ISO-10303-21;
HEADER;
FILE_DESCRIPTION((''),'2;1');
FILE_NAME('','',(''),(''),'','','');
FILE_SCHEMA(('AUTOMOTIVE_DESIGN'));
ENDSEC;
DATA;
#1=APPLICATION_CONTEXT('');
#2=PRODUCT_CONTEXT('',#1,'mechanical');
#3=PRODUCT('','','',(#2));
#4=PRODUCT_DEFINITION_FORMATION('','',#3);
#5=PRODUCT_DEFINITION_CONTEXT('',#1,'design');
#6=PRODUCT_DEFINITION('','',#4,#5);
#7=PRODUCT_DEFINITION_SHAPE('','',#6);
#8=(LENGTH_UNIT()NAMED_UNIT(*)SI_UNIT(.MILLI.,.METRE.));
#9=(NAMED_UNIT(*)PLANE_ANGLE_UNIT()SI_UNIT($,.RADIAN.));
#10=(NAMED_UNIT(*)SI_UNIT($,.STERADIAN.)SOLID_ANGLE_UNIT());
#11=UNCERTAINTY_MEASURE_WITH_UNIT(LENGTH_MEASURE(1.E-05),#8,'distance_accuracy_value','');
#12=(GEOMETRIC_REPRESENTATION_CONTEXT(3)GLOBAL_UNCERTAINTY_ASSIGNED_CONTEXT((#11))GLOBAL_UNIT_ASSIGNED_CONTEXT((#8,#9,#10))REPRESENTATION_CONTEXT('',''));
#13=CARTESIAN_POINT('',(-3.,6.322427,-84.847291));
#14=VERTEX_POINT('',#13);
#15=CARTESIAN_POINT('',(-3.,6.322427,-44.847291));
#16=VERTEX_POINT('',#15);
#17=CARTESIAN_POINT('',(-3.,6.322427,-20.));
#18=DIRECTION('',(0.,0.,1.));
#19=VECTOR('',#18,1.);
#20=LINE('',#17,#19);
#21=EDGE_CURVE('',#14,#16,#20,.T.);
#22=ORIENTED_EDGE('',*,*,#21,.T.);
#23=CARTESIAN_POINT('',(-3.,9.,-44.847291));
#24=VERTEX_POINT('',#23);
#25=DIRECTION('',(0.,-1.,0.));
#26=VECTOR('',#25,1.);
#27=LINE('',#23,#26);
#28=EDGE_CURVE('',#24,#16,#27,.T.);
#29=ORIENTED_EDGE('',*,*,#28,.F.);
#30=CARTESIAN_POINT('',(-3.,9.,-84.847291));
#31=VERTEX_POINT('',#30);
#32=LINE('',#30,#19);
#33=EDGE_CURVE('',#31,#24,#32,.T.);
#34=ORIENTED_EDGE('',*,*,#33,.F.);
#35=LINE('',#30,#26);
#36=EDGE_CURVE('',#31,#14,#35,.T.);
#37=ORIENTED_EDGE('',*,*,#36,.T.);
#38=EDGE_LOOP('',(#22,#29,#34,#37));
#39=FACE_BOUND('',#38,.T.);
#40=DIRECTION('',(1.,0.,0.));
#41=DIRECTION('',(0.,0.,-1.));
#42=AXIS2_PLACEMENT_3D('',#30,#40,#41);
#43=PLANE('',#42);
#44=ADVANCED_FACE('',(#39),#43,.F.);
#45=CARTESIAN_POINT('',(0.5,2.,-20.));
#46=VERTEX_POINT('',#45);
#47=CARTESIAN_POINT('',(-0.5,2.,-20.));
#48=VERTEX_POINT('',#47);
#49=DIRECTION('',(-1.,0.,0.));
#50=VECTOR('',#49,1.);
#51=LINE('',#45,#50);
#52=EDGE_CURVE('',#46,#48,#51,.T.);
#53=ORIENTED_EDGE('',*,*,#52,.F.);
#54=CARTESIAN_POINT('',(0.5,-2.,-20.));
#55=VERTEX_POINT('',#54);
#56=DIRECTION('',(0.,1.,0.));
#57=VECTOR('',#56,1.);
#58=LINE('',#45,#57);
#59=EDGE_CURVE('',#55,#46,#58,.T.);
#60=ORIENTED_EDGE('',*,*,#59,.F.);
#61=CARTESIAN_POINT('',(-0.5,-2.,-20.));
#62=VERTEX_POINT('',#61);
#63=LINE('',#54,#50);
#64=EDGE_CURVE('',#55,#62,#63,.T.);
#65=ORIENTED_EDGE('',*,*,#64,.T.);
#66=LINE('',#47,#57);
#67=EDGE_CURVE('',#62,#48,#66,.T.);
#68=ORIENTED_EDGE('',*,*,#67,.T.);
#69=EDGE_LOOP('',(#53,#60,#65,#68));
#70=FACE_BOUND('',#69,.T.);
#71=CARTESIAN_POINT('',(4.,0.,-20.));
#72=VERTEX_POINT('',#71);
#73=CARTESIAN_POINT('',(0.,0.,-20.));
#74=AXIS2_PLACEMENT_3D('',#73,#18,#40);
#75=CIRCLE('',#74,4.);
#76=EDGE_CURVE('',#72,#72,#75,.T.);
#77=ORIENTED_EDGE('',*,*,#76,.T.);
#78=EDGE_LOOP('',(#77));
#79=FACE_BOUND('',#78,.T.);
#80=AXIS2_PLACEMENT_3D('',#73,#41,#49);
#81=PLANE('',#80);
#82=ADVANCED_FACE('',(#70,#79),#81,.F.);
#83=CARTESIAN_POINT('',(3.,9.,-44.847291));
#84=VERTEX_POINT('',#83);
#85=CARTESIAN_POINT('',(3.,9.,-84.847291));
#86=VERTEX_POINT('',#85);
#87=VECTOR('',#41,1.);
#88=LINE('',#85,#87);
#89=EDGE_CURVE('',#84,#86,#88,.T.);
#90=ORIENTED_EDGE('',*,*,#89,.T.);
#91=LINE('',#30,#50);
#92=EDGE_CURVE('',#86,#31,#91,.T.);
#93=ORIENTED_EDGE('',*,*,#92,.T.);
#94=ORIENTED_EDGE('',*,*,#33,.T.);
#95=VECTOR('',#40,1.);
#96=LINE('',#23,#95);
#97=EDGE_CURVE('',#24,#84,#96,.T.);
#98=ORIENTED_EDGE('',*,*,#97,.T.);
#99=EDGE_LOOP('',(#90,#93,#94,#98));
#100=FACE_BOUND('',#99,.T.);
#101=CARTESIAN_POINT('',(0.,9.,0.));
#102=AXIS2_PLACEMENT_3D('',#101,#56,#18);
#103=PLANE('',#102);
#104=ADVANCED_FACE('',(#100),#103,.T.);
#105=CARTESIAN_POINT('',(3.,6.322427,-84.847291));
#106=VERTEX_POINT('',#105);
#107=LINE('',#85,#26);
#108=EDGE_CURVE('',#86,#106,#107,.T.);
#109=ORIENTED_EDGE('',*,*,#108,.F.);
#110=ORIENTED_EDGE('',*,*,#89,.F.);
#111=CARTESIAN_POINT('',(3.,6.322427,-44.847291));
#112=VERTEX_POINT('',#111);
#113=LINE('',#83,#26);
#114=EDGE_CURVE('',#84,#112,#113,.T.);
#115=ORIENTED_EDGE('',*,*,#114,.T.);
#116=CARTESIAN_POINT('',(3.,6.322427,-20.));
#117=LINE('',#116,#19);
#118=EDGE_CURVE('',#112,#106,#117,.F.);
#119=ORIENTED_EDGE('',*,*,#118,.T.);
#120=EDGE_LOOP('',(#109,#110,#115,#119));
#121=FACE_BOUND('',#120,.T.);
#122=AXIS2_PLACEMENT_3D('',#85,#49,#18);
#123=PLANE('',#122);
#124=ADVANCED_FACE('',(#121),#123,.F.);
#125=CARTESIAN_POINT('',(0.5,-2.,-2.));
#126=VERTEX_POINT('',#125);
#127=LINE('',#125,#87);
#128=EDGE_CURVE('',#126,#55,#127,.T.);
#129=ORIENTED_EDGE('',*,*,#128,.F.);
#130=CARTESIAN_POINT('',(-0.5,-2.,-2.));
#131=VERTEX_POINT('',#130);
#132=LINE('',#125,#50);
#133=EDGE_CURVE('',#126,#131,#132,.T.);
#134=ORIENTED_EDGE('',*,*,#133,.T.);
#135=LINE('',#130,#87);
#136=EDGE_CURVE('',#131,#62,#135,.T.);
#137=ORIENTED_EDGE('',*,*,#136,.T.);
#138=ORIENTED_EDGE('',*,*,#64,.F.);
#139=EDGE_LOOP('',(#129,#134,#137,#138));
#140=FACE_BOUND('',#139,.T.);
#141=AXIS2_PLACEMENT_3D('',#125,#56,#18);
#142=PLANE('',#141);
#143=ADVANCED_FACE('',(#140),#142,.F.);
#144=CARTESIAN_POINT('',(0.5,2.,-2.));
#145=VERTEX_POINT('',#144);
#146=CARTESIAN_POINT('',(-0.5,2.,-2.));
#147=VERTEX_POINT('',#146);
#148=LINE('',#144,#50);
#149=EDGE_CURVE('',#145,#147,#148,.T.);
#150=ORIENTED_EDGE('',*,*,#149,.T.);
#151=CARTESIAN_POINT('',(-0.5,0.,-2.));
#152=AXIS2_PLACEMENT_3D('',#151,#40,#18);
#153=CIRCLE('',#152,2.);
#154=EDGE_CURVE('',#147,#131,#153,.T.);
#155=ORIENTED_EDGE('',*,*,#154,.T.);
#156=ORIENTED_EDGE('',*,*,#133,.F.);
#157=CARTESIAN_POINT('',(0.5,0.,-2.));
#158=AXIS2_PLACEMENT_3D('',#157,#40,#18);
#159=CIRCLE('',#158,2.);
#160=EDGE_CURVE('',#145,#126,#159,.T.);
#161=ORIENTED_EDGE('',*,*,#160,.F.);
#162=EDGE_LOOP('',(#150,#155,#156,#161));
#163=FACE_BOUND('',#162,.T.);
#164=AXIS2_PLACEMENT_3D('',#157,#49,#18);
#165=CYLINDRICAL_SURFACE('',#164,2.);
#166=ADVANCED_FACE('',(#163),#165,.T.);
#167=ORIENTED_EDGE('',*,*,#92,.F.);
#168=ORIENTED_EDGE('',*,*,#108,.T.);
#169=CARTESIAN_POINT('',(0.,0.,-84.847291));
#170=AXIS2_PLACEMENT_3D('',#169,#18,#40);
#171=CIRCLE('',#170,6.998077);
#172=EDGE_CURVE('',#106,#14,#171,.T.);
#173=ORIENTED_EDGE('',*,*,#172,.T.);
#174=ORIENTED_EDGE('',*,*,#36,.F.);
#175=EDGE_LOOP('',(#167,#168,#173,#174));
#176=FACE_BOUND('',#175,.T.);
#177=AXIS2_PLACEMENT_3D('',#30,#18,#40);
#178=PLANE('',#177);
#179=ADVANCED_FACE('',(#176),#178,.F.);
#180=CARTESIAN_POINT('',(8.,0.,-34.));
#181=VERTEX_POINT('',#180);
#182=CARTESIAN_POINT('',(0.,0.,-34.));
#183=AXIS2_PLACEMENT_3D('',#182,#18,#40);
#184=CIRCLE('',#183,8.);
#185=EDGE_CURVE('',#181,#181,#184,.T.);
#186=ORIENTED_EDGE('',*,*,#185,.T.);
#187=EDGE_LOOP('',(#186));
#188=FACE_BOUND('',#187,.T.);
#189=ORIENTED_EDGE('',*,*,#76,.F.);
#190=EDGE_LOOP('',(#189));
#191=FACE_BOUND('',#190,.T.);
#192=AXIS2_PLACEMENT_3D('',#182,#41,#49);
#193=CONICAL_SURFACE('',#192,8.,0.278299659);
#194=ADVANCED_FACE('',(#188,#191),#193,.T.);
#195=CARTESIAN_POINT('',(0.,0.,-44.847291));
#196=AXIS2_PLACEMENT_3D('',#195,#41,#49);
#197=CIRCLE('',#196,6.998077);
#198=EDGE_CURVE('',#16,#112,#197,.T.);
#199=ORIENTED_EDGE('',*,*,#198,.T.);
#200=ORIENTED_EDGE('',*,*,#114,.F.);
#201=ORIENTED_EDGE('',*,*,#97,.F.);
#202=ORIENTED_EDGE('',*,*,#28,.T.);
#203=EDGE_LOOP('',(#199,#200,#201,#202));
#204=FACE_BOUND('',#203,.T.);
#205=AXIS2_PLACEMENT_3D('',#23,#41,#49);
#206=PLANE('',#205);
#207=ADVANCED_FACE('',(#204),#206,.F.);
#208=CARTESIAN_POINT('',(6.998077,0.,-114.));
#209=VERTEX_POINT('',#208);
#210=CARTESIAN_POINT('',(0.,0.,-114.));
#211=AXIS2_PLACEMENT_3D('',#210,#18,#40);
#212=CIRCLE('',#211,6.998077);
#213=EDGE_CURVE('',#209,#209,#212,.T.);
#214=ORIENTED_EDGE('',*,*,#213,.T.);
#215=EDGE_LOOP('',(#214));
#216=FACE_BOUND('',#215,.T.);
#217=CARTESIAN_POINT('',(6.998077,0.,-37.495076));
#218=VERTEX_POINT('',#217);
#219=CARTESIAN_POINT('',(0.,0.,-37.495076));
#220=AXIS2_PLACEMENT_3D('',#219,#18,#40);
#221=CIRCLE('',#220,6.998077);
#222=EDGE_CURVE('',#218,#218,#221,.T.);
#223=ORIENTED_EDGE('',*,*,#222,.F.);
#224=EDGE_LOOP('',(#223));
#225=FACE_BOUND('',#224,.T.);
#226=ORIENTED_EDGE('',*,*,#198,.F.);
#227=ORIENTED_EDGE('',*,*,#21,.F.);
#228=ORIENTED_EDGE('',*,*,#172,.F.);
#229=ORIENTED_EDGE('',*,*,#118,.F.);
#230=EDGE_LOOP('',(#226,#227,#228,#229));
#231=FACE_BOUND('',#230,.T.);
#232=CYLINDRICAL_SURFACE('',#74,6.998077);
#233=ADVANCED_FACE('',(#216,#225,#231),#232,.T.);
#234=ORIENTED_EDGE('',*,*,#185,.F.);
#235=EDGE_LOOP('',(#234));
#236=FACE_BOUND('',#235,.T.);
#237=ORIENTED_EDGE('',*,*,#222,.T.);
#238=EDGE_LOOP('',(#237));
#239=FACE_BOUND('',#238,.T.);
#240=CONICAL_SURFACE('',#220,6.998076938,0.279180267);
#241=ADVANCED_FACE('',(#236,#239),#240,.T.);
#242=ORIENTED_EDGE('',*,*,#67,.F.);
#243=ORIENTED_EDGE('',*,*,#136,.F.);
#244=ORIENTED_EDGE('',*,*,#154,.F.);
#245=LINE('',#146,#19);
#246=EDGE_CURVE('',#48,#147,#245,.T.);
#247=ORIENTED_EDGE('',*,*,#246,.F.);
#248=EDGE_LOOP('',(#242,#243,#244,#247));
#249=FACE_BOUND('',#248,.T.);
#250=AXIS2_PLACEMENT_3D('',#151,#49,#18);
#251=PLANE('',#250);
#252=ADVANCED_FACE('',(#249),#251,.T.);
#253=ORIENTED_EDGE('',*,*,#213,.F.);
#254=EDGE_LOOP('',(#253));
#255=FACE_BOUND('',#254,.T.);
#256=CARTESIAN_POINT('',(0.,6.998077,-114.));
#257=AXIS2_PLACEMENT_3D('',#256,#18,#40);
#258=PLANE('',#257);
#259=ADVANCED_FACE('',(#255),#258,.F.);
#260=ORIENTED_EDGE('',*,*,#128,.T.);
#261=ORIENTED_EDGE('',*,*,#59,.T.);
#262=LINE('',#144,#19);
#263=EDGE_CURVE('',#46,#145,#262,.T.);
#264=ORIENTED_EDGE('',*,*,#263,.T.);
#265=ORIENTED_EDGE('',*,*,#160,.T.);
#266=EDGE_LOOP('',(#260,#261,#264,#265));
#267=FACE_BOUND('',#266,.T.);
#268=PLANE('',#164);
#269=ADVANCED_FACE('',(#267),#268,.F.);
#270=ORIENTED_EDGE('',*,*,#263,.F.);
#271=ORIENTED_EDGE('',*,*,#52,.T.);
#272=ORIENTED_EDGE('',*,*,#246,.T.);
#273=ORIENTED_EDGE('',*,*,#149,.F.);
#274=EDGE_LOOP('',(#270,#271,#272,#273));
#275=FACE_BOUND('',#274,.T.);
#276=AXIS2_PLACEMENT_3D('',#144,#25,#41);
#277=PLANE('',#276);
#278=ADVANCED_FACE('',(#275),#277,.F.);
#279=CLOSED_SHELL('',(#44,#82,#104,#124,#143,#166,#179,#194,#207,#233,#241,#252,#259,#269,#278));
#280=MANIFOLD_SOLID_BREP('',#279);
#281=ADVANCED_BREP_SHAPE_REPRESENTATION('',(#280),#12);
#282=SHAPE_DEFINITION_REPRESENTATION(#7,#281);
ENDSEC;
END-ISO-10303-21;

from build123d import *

# Parameters (mm, degrees)
BOSS_EXTRUDE1_DEPTH = 0.5
SKETCH3_W           = 6
SKETCH3_H           = 40
BOSS_EXTRUDE2_DEPTH = 9


with BuildPart() as part:
    # Sketch1 → Boss-Extrude1 (new body, symmetric)
    with BuildSketch(Plane(origin=(0, 0, 0), x_dir=(0, 0, -1), z_dir=(1, 0, 0))):
        with BuildLine():
            Line((2, 2), (20, 2))
            Line((20, 2), (20, -2))
            Line((20, -2), (2, -2))
            ThreePointArc((2, -2), (0, 0), (2, 2))
        make_face()
    extrude(amount=BOSS_EXTRUDE1_DEPTH, both=True)

    # Sketch2 → Revolve1 (revolve)
    with BuildSketch(Plane(origin=(0, 0, 0), x_dir=(0, 0, -1), z_dir=(1, 0, 0))):
        Polygon((20, 0), (20, 4), (34, 8), (37.495076137, 6.998076938), (114, 6.998076938), (114, 0), (34, 0), align=None)
    revolve(axis=Axis((0, 0, -20), (0, 0, -1)))

    # Sketch3 → Boss-Extrude2 (add)
    with BuildSketch(Plane(origin=(0, 0, 0), x_dir=(1, 0, 0), z_dir=(0, 1, 0))):
        with Locations((0, 64.847291261)):
            Rectangle(SKETCH3_W, SKETCH3_H)
    extrude(amount=BOSS_EXTRUDE2_DEPTH)


solid = part.part
